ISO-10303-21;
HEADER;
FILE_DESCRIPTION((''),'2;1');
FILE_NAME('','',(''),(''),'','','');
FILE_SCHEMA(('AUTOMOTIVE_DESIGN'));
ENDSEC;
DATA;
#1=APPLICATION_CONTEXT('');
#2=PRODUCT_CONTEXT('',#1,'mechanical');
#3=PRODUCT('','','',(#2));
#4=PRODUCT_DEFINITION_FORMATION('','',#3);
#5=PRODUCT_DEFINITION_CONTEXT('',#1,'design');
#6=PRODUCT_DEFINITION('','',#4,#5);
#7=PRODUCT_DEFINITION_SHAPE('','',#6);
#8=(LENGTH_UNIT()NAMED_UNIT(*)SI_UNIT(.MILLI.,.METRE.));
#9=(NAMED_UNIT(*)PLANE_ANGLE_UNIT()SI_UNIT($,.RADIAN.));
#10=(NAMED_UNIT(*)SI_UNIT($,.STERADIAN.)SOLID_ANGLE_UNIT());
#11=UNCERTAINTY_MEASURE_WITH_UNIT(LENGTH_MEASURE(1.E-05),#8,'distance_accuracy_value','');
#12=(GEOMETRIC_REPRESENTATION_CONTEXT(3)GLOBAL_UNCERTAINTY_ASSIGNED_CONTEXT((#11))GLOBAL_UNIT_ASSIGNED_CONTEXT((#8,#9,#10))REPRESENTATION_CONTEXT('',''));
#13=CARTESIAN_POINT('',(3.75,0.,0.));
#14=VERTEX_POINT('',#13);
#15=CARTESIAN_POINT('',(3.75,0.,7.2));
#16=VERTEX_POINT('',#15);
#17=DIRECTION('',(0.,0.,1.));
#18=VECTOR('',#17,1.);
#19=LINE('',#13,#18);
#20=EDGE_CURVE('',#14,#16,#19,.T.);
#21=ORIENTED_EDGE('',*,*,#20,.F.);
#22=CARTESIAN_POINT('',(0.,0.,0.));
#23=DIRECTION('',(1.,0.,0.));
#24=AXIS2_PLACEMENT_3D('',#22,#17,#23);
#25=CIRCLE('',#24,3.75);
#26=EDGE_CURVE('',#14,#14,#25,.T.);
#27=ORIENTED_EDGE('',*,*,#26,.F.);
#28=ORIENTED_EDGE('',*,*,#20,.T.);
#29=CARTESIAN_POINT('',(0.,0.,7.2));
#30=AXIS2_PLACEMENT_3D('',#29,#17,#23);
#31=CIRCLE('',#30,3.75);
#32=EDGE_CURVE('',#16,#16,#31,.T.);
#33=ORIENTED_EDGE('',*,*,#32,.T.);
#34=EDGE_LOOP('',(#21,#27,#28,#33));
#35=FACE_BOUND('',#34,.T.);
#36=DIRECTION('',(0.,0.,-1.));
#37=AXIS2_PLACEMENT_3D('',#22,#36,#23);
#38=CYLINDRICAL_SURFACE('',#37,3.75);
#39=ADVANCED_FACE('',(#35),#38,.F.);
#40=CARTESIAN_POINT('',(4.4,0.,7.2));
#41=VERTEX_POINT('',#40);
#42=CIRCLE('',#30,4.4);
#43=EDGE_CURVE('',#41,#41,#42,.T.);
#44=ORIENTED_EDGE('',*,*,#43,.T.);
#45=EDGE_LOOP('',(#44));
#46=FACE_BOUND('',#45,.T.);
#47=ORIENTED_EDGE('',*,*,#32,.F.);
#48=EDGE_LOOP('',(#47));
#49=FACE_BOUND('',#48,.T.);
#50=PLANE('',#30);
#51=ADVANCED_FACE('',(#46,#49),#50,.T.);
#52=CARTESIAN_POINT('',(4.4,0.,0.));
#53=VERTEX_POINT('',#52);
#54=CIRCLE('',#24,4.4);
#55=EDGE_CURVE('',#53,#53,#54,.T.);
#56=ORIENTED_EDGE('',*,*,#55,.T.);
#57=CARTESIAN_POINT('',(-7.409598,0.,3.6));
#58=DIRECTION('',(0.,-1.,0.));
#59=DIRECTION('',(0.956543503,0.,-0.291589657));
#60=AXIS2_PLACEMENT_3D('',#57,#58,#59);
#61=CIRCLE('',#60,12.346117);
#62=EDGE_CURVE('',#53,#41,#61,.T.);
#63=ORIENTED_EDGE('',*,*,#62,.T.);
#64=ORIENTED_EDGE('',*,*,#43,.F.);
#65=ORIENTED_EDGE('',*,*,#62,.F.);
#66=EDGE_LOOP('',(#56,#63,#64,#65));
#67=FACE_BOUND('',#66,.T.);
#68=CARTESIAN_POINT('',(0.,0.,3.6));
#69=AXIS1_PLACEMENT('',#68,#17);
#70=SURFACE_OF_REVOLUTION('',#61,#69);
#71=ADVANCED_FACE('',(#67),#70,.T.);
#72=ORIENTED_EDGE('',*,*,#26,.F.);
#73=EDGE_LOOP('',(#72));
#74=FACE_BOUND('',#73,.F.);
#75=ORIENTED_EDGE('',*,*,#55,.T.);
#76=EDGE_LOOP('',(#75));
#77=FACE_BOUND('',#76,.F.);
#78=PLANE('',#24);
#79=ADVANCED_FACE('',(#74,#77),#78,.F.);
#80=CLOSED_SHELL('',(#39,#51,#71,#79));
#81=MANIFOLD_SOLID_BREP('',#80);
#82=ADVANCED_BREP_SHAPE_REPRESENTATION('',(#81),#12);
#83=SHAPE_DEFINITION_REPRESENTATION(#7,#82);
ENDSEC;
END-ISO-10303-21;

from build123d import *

# Parameters (mm, degrees)
F0_R     = 4.4
F0_R_2   = 3.75
F1_DEPTH = 7.2


with BuildPart() as f1:
    # F0 (on Top) → F1 (new body)
    with BuildSketch(Plane.XY):
        Circle(F0_R)
        Circle(F0_R_2, mode=Mode.SUBTRACT)
    extrude(amount=F1_DEPTH)

    # F2 (on Front) → F3 (revolve)
    with BuildSketch(Plane.XZ):
        with BuildLine():
            Line((4.4, 7.2), (4.4, 0))
            ThreePointArc((4.4, 0), (4.936519, 3.6), (4.4, 7.2))
        make_face()
    revolve(axis=Axis((0, 0, 3.6), (0, 0, 1)))


solid = f1.part
